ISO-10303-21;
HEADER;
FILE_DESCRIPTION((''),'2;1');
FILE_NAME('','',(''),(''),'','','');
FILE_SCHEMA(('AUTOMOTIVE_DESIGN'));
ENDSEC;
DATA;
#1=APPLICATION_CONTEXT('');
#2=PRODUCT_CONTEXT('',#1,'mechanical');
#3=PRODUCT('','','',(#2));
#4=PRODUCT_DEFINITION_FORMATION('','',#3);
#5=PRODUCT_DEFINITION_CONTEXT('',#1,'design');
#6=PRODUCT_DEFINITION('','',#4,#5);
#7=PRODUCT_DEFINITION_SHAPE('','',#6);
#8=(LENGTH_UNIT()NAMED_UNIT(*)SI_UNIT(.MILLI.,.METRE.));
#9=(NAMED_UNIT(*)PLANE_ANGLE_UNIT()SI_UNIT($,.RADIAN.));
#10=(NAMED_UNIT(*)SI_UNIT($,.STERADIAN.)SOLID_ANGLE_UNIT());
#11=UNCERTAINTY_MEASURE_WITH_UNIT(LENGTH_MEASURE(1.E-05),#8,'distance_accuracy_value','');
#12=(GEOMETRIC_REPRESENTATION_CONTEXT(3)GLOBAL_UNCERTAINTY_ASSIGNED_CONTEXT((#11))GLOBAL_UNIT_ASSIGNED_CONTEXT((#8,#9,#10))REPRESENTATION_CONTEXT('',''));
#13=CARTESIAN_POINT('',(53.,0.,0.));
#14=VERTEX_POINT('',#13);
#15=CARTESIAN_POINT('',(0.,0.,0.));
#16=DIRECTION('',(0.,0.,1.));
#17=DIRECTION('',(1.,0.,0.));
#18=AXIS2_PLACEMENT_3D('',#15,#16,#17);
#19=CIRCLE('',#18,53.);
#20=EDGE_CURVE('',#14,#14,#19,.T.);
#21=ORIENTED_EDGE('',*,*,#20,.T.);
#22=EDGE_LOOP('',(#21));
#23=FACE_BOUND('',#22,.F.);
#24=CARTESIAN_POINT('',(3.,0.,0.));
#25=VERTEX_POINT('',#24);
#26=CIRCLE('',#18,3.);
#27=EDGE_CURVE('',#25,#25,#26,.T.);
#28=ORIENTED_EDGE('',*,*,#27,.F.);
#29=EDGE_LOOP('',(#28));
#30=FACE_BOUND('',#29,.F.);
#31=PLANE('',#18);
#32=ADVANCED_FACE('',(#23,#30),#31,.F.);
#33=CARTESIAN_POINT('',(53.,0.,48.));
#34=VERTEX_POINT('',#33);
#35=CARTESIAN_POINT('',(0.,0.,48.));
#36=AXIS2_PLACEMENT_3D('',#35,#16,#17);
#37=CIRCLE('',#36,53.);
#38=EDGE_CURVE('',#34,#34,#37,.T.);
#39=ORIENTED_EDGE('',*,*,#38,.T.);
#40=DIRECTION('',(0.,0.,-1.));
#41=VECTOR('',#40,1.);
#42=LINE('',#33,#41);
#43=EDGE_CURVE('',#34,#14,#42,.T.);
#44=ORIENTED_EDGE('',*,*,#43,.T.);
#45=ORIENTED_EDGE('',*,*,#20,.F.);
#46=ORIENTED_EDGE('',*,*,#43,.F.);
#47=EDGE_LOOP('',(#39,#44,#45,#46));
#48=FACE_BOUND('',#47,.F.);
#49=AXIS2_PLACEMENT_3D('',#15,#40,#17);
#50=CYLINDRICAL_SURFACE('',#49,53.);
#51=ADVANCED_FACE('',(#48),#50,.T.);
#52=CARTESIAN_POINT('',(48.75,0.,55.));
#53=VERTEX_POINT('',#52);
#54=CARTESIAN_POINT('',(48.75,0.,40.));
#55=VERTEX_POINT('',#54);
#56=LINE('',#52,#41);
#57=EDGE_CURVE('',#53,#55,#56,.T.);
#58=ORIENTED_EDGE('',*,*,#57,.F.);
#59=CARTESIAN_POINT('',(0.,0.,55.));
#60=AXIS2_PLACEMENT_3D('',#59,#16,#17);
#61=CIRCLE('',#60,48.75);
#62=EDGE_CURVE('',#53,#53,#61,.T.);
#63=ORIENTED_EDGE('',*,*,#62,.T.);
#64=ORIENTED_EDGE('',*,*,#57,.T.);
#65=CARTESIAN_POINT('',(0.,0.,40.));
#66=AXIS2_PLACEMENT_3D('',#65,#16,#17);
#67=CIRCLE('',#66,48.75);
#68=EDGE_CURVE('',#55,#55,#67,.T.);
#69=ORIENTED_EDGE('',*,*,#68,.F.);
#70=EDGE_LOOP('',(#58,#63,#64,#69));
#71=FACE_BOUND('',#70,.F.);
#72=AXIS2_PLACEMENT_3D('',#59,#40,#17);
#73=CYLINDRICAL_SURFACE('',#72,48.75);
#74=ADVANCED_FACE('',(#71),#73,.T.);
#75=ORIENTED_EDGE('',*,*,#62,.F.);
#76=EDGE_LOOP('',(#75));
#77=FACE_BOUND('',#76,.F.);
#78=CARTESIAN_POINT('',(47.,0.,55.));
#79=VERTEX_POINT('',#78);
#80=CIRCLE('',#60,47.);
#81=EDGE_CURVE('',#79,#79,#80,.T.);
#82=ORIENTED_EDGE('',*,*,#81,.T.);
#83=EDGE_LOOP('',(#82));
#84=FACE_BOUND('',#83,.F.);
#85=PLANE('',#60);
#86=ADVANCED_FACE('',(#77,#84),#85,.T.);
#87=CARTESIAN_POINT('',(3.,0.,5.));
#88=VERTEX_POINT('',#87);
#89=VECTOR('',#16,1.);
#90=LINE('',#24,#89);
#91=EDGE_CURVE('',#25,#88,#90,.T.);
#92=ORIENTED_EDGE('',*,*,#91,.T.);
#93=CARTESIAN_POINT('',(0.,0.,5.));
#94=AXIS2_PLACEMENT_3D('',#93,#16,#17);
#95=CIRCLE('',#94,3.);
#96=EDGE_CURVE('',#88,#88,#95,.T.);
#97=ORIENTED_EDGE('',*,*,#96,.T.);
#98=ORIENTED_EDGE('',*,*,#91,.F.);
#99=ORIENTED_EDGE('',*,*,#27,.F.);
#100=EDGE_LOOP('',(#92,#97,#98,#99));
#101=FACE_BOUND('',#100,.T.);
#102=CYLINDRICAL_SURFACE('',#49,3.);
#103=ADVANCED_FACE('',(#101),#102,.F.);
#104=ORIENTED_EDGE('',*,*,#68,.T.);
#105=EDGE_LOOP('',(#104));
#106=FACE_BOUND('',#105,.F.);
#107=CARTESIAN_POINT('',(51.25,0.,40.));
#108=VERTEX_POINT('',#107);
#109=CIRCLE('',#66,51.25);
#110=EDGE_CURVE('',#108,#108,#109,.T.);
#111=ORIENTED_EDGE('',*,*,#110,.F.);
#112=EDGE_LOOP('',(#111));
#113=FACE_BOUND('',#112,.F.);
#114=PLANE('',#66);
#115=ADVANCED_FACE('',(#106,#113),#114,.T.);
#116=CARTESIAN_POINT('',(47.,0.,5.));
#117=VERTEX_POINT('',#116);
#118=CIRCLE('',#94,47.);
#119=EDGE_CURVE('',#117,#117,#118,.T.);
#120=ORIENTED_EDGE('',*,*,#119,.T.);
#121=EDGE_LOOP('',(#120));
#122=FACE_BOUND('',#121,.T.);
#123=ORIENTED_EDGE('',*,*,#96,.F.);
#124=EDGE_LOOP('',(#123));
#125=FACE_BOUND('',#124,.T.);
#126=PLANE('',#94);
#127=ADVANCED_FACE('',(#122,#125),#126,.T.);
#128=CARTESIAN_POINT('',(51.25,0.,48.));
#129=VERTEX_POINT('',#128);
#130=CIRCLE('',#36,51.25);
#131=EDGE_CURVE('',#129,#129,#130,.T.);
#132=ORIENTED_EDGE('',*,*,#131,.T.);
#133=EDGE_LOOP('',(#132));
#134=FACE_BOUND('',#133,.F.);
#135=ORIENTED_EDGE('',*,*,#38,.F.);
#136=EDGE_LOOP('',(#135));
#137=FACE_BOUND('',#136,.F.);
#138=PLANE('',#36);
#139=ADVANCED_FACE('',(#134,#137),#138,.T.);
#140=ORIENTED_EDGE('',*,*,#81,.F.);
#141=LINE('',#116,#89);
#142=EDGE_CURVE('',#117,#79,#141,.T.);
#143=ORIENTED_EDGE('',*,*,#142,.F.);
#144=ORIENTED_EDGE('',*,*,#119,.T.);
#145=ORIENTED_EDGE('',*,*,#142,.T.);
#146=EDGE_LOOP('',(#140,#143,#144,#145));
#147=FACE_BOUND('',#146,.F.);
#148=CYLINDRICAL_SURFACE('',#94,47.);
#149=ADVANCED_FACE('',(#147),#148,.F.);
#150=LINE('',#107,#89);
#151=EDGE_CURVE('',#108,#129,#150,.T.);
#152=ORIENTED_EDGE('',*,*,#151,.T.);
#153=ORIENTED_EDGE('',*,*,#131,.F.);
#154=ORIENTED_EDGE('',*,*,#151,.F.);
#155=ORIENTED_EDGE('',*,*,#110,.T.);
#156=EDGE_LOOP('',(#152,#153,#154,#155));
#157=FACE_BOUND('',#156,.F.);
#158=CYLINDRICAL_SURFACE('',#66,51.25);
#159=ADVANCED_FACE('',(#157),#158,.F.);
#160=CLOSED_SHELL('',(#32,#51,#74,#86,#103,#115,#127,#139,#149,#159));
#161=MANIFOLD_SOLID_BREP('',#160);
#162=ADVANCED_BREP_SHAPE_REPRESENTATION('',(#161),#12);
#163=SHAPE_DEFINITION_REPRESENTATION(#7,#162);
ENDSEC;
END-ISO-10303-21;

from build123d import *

# Parameters (mm, degrees)
SKETCH_R   = 53
SKETCH_R_2 = 3
PAD_DEPTH  = 5


with BuildPart() as part:
    # Sketch → Pad (new body)
    with BuildSketch(Plane.XY):
        Circle(SKETCH_R)
        Circle(SKETCH_R_2, mode=Mode.SUBTRACT)
    extrude(amount=PAD_DEPTH)

    # Sketch001 → Revolution (revolve)
    with BuildSketch(Plane.XZ):
        Polygon((53, 5), (47, 5), (47, 55), (48.75, 55), (48.75, 40), (51.25, 40), (51.25, 48), (53, 48), align=None)
    revolve(axis=Axis((0, 0, 0), (0, 0, 1)))


solid = part.part
